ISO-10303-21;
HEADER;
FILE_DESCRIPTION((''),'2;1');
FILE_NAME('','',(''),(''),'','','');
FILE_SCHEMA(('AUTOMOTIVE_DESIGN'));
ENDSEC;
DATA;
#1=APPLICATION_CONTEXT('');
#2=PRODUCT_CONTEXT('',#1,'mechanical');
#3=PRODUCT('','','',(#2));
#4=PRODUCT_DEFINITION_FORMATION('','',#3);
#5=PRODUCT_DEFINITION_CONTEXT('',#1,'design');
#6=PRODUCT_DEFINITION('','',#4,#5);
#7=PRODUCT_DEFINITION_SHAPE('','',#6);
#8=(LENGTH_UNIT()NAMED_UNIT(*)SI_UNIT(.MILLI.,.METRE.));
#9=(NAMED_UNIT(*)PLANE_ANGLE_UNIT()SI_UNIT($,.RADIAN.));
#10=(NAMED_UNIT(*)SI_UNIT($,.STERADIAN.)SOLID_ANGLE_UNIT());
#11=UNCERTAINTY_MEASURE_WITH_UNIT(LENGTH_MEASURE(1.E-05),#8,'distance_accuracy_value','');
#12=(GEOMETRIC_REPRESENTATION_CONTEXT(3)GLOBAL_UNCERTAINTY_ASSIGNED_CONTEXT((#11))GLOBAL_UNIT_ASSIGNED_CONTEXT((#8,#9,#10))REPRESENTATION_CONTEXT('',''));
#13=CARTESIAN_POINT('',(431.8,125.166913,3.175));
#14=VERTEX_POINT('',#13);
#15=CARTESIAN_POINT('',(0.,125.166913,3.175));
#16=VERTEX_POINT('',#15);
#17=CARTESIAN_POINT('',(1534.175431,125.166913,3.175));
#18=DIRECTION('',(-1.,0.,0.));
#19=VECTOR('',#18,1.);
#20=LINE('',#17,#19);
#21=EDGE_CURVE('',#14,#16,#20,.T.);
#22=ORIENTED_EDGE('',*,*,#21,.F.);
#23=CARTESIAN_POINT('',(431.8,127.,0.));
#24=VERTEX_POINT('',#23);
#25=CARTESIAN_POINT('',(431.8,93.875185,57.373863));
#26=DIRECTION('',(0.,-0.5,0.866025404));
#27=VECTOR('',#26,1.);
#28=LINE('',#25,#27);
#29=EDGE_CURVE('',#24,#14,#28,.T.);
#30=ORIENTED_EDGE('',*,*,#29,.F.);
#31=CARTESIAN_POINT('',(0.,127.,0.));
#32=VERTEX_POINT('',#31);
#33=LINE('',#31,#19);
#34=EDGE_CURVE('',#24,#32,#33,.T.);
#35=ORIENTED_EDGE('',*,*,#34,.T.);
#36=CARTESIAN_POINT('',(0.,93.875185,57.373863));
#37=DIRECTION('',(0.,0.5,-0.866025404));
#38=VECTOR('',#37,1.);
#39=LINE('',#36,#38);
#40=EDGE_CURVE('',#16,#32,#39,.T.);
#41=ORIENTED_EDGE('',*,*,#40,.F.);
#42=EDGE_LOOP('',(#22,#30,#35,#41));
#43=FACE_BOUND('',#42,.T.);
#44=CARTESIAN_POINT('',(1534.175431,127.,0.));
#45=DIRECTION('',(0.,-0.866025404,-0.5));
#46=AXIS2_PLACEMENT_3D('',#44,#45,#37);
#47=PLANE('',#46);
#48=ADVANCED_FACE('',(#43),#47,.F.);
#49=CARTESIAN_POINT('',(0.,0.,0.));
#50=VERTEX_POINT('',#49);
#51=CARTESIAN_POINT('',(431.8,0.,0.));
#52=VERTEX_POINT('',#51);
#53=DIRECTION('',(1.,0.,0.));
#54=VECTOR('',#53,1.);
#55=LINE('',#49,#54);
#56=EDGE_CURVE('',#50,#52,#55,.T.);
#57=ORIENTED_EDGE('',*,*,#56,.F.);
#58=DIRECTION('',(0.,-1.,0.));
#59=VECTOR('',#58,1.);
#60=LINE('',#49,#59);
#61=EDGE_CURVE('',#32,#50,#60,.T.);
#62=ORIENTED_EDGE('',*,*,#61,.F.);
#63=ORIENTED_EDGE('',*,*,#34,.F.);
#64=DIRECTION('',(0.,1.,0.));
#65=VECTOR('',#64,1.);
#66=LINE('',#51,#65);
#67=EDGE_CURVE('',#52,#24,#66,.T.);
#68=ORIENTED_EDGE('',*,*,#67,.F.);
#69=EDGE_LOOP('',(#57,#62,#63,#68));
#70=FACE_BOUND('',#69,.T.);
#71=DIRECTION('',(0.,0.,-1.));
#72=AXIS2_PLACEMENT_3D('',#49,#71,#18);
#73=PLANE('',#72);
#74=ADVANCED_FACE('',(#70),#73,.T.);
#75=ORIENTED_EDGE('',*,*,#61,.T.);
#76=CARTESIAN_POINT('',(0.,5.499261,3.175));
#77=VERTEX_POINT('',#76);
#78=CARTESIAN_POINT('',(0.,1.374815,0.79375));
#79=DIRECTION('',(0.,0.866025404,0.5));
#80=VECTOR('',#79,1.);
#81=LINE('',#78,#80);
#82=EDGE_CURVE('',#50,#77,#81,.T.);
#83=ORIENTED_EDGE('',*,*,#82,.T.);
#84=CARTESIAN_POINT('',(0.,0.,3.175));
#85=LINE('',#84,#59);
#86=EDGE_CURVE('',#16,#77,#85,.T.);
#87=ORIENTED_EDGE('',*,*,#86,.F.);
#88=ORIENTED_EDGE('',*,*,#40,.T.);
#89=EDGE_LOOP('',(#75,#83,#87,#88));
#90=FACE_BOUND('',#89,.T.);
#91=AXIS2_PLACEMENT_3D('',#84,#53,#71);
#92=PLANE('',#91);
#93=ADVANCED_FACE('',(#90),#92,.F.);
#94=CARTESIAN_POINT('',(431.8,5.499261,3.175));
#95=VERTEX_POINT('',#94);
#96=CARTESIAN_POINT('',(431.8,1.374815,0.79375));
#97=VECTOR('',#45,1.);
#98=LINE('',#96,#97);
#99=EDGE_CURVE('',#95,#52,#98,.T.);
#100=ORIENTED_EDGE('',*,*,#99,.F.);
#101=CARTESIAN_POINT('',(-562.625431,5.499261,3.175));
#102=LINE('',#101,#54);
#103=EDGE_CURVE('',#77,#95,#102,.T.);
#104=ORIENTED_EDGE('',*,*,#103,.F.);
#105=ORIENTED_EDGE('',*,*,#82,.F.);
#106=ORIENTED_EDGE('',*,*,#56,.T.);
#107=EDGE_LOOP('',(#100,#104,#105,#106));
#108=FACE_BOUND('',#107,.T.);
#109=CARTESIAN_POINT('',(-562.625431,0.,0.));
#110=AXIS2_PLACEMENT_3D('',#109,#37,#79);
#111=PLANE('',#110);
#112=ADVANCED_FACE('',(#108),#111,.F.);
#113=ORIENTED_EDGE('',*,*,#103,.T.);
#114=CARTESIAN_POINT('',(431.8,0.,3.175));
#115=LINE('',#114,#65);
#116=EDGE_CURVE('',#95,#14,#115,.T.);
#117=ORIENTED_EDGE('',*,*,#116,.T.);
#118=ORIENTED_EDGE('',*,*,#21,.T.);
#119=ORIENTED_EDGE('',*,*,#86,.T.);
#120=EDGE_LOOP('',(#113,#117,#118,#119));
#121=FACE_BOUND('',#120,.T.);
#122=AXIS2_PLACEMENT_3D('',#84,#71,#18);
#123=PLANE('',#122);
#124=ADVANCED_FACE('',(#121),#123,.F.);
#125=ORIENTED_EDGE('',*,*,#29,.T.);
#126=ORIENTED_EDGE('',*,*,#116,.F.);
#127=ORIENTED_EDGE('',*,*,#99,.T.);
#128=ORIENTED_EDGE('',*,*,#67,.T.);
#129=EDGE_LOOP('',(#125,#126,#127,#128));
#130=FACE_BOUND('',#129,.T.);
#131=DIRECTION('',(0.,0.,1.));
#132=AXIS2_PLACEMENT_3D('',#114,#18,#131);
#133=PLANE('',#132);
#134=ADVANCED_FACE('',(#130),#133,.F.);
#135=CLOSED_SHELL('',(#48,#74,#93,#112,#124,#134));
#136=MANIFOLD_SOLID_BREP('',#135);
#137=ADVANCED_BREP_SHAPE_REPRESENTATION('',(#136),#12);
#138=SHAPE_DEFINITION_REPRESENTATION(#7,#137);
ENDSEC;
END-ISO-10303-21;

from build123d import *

# Parameters (mm, degrees)
SKETCH2_W               = 431.8
SKETCH2_H               = 127
BOSS_EXTRUDE1_DEPTH     = 3.175
CUT_EXTRUDE1_DEPTH      = 451.100345062
CUT_EXTRUDE1_DEPTH_BACK = 451.100345062
CUT_EXTRUDE2_DEPTH      = 451.100345062
CUT_EXTRUDE2_DEPTH_BACK = 451.100345062


with BuildPart() as part:
    # Sketch2 → Boss-Extrude1 (new body)
    with BuildSketch(Plane.XY):
        with Locations((215.9, 63.5)):
            Rectangle(SKETCH2_W, SKETCH2_H)
    extrude(amount=BOSS_EXTRUDE1_DEPTH)

    # Sketch3 → Cut-Extrude1 (cut, two sides: drawn at the far end of the back side and taken through both)
    with BuildSketch(Plane.ZY.offset(-CUT_EXTRUDE1_DEPTH_BACK)):
        Polygon((-132.039681301, -228.699436628), (0, 0), (3.175, 5.499261314), (135.214681301, 234.198697942), (592.613554557, -29.880664659), (325.359191955, -492.77879923), align=None)
    extrude(amount=CUT_EXTRUDE1_DEPTH + CUT_EXTRUDE1_DEPTH_BACK, mode=Mode.SUBTRACT)

    # Sketch4 → Cut-Extrude2 (cut, two sides: drawn at the far end of the back side and taken through both)
    with BuildSketch(Plane(origin=(431.8, 0, 0), x_dir=(0, 0, -1), z_dir=(1, 0, 0)).offset(-CUT_EXTRUDE2_DEPTH_BACK)):
        Polygon((228.699436628, 259.039681301), (0, 127), (-3.175, 125.166912895), (-231.874436628, -6.872768405), (-495.95379923, 450.526104851), (-35.379925973, 716.438554557), align=None)
    extrude(amount=CUT_EXTRUDE2_DEPTH + CUT_EXTRUDE2_DEPTH_BACK, mode=Mode.SUBTRACT)


solid = part.part
